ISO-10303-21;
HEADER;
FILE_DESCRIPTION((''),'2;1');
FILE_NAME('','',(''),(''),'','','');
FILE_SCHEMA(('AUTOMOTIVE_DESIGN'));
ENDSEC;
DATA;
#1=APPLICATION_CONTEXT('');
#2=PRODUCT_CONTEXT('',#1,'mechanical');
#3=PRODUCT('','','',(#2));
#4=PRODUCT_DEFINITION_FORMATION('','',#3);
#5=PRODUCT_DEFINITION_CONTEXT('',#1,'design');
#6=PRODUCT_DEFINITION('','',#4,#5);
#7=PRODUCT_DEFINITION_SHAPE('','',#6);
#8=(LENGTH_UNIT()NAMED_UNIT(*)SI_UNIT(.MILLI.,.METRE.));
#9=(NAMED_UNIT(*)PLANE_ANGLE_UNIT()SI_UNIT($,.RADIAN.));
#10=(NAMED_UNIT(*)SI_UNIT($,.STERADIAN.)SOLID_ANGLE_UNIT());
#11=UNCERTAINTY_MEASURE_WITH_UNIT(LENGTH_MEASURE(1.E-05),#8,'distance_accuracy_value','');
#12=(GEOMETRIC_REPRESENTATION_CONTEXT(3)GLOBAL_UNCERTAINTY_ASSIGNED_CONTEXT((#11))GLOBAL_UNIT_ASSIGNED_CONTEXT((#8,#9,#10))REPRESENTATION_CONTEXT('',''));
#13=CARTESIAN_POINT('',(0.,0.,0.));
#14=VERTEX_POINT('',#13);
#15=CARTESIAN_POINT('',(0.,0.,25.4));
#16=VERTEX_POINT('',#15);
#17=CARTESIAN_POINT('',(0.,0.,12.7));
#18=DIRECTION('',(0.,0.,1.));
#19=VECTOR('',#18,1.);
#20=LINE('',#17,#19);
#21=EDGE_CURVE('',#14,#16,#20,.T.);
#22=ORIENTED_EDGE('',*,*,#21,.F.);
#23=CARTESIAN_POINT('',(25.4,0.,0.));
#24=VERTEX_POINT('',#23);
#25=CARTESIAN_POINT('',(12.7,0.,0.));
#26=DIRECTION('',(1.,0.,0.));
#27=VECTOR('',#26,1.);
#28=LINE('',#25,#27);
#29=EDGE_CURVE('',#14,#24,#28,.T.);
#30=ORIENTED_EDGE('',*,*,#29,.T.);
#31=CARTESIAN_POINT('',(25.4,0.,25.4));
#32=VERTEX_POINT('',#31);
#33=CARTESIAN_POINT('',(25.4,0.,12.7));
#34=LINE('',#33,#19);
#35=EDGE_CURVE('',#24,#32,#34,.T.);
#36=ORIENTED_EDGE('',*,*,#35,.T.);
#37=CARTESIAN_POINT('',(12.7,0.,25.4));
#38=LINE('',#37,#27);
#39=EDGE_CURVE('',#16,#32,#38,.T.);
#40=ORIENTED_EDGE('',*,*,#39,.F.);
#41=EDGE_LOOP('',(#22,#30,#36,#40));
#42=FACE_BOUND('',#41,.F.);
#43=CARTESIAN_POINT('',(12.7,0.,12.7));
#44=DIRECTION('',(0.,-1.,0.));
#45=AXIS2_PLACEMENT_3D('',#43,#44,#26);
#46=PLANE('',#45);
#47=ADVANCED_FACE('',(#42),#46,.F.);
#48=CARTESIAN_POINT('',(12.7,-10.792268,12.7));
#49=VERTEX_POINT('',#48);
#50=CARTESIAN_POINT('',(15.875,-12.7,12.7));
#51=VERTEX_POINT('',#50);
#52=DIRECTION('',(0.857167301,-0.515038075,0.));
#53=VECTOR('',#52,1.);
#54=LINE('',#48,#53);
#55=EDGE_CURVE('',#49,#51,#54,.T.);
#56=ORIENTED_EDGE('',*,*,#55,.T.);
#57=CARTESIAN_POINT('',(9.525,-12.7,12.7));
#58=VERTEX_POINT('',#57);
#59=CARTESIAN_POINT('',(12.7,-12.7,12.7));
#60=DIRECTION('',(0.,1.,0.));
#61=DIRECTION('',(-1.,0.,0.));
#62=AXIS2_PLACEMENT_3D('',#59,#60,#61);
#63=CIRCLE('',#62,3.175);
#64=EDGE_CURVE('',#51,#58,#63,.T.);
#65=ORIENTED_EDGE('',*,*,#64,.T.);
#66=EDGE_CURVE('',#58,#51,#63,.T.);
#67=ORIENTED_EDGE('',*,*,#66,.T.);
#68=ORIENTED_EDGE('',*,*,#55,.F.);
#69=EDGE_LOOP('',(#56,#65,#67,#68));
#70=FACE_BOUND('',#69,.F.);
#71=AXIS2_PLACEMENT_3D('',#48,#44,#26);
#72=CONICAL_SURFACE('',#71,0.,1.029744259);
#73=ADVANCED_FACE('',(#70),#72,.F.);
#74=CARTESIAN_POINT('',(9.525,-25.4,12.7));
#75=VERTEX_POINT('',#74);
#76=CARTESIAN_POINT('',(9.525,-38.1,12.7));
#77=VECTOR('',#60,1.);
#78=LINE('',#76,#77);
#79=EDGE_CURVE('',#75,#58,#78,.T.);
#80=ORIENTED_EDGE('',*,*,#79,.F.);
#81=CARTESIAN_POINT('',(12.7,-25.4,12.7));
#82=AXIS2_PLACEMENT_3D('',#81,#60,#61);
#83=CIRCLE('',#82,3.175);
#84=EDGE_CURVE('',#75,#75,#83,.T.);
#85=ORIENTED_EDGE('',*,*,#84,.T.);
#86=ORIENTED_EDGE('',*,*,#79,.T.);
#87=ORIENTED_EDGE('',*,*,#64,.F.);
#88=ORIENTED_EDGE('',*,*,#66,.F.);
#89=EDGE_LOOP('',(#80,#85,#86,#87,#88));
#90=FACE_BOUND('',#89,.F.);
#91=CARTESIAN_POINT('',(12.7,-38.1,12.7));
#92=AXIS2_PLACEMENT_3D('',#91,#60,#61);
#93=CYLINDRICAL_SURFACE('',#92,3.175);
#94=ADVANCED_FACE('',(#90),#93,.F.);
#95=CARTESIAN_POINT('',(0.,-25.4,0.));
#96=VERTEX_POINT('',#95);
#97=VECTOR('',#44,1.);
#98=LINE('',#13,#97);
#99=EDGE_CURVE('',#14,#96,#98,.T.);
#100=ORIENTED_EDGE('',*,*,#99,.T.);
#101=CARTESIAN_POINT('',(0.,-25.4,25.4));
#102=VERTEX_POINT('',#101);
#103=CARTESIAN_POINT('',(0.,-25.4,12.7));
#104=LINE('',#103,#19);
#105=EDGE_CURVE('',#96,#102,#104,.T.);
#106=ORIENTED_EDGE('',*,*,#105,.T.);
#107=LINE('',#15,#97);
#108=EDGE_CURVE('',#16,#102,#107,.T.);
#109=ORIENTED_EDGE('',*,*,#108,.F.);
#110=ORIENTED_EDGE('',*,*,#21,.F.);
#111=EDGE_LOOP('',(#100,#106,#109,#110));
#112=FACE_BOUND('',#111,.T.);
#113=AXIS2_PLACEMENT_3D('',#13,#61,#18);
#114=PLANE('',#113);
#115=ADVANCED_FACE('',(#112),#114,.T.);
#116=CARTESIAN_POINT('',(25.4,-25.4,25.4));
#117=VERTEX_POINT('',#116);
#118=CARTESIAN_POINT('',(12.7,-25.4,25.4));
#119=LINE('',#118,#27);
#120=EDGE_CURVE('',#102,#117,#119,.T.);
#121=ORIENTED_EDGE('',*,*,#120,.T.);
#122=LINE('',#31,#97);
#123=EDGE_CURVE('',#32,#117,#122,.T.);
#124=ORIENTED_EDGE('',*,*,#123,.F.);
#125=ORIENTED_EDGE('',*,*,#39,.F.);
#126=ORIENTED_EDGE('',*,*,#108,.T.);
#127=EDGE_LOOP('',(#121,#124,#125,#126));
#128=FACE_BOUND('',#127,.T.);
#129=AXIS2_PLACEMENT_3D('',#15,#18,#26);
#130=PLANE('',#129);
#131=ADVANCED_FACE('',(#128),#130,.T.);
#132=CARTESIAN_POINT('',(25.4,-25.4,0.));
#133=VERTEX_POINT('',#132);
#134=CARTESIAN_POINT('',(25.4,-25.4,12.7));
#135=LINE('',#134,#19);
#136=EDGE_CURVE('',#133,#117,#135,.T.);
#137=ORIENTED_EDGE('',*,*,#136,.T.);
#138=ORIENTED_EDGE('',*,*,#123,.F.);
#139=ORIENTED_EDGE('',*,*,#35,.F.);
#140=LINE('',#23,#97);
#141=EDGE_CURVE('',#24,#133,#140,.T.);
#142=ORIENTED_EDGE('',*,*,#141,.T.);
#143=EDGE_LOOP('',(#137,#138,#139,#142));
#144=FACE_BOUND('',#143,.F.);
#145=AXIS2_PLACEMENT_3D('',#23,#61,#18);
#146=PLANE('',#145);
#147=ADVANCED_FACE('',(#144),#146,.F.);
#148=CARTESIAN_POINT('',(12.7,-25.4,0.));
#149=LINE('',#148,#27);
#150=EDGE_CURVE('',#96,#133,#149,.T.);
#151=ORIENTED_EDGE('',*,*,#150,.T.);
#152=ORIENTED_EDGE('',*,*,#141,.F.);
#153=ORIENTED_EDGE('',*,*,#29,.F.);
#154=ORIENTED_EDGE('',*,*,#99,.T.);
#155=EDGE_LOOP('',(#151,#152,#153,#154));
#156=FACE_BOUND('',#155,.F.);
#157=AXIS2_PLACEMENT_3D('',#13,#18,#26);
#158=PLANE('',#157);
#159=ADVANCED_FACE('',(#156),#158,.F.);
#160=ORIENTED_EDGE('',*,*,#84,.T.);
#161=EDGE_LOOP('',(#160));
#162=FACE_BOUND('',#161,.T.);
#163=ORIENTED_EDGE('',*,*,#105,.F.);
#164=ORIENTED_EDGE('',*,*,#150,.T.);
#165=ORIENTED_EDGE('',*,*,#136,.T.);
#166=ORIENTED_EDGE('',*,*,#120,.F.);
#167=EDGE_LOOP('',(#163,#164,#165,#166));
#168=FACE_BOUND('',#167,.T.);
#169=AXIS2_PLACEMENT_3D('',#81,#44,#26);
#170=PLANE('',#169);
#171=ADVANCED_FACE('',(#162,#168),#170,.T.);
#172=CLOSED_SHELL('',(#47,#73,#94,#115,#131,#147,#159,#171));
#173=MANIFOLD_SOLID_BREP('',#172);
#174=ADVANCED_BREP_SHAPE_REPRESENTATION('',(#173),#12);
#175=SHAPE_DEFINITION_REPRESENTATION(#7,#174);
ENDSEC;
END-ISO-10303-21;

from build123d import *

# Parameters (mm, degrees)
F0_W     = 25.4
F0_H     = 25.4
F1_DEPTH = 25.4
F3_D     = 6.35
F3_DEPTH = 12.7
F3_TIP   = 1.9077324654


with BuildPart() as f1:
    # F0 (on Front) → F1 (new body)
    with BuildSketch(Plane.XZ):
        with Locations((12.7, 12.7)):
            Rectangle(F0_W, F0_H)
    extrude(amount=F1_DEPTH)

    # F3
    with Locations(Plane.XZ.offset(25.4)):
        with Locations((12.7, 12.7)):
            Hole(F3_D / 2, depth=F3_DEPTH)
            with Locations((0, 0, -(F3_DEPTH + F3_TIP / 2))):  # 118° drill point
                Cone(0, F3_D / 2, F3_TIP, mode=Mode.SUBTRACT)


solid = f1.part
